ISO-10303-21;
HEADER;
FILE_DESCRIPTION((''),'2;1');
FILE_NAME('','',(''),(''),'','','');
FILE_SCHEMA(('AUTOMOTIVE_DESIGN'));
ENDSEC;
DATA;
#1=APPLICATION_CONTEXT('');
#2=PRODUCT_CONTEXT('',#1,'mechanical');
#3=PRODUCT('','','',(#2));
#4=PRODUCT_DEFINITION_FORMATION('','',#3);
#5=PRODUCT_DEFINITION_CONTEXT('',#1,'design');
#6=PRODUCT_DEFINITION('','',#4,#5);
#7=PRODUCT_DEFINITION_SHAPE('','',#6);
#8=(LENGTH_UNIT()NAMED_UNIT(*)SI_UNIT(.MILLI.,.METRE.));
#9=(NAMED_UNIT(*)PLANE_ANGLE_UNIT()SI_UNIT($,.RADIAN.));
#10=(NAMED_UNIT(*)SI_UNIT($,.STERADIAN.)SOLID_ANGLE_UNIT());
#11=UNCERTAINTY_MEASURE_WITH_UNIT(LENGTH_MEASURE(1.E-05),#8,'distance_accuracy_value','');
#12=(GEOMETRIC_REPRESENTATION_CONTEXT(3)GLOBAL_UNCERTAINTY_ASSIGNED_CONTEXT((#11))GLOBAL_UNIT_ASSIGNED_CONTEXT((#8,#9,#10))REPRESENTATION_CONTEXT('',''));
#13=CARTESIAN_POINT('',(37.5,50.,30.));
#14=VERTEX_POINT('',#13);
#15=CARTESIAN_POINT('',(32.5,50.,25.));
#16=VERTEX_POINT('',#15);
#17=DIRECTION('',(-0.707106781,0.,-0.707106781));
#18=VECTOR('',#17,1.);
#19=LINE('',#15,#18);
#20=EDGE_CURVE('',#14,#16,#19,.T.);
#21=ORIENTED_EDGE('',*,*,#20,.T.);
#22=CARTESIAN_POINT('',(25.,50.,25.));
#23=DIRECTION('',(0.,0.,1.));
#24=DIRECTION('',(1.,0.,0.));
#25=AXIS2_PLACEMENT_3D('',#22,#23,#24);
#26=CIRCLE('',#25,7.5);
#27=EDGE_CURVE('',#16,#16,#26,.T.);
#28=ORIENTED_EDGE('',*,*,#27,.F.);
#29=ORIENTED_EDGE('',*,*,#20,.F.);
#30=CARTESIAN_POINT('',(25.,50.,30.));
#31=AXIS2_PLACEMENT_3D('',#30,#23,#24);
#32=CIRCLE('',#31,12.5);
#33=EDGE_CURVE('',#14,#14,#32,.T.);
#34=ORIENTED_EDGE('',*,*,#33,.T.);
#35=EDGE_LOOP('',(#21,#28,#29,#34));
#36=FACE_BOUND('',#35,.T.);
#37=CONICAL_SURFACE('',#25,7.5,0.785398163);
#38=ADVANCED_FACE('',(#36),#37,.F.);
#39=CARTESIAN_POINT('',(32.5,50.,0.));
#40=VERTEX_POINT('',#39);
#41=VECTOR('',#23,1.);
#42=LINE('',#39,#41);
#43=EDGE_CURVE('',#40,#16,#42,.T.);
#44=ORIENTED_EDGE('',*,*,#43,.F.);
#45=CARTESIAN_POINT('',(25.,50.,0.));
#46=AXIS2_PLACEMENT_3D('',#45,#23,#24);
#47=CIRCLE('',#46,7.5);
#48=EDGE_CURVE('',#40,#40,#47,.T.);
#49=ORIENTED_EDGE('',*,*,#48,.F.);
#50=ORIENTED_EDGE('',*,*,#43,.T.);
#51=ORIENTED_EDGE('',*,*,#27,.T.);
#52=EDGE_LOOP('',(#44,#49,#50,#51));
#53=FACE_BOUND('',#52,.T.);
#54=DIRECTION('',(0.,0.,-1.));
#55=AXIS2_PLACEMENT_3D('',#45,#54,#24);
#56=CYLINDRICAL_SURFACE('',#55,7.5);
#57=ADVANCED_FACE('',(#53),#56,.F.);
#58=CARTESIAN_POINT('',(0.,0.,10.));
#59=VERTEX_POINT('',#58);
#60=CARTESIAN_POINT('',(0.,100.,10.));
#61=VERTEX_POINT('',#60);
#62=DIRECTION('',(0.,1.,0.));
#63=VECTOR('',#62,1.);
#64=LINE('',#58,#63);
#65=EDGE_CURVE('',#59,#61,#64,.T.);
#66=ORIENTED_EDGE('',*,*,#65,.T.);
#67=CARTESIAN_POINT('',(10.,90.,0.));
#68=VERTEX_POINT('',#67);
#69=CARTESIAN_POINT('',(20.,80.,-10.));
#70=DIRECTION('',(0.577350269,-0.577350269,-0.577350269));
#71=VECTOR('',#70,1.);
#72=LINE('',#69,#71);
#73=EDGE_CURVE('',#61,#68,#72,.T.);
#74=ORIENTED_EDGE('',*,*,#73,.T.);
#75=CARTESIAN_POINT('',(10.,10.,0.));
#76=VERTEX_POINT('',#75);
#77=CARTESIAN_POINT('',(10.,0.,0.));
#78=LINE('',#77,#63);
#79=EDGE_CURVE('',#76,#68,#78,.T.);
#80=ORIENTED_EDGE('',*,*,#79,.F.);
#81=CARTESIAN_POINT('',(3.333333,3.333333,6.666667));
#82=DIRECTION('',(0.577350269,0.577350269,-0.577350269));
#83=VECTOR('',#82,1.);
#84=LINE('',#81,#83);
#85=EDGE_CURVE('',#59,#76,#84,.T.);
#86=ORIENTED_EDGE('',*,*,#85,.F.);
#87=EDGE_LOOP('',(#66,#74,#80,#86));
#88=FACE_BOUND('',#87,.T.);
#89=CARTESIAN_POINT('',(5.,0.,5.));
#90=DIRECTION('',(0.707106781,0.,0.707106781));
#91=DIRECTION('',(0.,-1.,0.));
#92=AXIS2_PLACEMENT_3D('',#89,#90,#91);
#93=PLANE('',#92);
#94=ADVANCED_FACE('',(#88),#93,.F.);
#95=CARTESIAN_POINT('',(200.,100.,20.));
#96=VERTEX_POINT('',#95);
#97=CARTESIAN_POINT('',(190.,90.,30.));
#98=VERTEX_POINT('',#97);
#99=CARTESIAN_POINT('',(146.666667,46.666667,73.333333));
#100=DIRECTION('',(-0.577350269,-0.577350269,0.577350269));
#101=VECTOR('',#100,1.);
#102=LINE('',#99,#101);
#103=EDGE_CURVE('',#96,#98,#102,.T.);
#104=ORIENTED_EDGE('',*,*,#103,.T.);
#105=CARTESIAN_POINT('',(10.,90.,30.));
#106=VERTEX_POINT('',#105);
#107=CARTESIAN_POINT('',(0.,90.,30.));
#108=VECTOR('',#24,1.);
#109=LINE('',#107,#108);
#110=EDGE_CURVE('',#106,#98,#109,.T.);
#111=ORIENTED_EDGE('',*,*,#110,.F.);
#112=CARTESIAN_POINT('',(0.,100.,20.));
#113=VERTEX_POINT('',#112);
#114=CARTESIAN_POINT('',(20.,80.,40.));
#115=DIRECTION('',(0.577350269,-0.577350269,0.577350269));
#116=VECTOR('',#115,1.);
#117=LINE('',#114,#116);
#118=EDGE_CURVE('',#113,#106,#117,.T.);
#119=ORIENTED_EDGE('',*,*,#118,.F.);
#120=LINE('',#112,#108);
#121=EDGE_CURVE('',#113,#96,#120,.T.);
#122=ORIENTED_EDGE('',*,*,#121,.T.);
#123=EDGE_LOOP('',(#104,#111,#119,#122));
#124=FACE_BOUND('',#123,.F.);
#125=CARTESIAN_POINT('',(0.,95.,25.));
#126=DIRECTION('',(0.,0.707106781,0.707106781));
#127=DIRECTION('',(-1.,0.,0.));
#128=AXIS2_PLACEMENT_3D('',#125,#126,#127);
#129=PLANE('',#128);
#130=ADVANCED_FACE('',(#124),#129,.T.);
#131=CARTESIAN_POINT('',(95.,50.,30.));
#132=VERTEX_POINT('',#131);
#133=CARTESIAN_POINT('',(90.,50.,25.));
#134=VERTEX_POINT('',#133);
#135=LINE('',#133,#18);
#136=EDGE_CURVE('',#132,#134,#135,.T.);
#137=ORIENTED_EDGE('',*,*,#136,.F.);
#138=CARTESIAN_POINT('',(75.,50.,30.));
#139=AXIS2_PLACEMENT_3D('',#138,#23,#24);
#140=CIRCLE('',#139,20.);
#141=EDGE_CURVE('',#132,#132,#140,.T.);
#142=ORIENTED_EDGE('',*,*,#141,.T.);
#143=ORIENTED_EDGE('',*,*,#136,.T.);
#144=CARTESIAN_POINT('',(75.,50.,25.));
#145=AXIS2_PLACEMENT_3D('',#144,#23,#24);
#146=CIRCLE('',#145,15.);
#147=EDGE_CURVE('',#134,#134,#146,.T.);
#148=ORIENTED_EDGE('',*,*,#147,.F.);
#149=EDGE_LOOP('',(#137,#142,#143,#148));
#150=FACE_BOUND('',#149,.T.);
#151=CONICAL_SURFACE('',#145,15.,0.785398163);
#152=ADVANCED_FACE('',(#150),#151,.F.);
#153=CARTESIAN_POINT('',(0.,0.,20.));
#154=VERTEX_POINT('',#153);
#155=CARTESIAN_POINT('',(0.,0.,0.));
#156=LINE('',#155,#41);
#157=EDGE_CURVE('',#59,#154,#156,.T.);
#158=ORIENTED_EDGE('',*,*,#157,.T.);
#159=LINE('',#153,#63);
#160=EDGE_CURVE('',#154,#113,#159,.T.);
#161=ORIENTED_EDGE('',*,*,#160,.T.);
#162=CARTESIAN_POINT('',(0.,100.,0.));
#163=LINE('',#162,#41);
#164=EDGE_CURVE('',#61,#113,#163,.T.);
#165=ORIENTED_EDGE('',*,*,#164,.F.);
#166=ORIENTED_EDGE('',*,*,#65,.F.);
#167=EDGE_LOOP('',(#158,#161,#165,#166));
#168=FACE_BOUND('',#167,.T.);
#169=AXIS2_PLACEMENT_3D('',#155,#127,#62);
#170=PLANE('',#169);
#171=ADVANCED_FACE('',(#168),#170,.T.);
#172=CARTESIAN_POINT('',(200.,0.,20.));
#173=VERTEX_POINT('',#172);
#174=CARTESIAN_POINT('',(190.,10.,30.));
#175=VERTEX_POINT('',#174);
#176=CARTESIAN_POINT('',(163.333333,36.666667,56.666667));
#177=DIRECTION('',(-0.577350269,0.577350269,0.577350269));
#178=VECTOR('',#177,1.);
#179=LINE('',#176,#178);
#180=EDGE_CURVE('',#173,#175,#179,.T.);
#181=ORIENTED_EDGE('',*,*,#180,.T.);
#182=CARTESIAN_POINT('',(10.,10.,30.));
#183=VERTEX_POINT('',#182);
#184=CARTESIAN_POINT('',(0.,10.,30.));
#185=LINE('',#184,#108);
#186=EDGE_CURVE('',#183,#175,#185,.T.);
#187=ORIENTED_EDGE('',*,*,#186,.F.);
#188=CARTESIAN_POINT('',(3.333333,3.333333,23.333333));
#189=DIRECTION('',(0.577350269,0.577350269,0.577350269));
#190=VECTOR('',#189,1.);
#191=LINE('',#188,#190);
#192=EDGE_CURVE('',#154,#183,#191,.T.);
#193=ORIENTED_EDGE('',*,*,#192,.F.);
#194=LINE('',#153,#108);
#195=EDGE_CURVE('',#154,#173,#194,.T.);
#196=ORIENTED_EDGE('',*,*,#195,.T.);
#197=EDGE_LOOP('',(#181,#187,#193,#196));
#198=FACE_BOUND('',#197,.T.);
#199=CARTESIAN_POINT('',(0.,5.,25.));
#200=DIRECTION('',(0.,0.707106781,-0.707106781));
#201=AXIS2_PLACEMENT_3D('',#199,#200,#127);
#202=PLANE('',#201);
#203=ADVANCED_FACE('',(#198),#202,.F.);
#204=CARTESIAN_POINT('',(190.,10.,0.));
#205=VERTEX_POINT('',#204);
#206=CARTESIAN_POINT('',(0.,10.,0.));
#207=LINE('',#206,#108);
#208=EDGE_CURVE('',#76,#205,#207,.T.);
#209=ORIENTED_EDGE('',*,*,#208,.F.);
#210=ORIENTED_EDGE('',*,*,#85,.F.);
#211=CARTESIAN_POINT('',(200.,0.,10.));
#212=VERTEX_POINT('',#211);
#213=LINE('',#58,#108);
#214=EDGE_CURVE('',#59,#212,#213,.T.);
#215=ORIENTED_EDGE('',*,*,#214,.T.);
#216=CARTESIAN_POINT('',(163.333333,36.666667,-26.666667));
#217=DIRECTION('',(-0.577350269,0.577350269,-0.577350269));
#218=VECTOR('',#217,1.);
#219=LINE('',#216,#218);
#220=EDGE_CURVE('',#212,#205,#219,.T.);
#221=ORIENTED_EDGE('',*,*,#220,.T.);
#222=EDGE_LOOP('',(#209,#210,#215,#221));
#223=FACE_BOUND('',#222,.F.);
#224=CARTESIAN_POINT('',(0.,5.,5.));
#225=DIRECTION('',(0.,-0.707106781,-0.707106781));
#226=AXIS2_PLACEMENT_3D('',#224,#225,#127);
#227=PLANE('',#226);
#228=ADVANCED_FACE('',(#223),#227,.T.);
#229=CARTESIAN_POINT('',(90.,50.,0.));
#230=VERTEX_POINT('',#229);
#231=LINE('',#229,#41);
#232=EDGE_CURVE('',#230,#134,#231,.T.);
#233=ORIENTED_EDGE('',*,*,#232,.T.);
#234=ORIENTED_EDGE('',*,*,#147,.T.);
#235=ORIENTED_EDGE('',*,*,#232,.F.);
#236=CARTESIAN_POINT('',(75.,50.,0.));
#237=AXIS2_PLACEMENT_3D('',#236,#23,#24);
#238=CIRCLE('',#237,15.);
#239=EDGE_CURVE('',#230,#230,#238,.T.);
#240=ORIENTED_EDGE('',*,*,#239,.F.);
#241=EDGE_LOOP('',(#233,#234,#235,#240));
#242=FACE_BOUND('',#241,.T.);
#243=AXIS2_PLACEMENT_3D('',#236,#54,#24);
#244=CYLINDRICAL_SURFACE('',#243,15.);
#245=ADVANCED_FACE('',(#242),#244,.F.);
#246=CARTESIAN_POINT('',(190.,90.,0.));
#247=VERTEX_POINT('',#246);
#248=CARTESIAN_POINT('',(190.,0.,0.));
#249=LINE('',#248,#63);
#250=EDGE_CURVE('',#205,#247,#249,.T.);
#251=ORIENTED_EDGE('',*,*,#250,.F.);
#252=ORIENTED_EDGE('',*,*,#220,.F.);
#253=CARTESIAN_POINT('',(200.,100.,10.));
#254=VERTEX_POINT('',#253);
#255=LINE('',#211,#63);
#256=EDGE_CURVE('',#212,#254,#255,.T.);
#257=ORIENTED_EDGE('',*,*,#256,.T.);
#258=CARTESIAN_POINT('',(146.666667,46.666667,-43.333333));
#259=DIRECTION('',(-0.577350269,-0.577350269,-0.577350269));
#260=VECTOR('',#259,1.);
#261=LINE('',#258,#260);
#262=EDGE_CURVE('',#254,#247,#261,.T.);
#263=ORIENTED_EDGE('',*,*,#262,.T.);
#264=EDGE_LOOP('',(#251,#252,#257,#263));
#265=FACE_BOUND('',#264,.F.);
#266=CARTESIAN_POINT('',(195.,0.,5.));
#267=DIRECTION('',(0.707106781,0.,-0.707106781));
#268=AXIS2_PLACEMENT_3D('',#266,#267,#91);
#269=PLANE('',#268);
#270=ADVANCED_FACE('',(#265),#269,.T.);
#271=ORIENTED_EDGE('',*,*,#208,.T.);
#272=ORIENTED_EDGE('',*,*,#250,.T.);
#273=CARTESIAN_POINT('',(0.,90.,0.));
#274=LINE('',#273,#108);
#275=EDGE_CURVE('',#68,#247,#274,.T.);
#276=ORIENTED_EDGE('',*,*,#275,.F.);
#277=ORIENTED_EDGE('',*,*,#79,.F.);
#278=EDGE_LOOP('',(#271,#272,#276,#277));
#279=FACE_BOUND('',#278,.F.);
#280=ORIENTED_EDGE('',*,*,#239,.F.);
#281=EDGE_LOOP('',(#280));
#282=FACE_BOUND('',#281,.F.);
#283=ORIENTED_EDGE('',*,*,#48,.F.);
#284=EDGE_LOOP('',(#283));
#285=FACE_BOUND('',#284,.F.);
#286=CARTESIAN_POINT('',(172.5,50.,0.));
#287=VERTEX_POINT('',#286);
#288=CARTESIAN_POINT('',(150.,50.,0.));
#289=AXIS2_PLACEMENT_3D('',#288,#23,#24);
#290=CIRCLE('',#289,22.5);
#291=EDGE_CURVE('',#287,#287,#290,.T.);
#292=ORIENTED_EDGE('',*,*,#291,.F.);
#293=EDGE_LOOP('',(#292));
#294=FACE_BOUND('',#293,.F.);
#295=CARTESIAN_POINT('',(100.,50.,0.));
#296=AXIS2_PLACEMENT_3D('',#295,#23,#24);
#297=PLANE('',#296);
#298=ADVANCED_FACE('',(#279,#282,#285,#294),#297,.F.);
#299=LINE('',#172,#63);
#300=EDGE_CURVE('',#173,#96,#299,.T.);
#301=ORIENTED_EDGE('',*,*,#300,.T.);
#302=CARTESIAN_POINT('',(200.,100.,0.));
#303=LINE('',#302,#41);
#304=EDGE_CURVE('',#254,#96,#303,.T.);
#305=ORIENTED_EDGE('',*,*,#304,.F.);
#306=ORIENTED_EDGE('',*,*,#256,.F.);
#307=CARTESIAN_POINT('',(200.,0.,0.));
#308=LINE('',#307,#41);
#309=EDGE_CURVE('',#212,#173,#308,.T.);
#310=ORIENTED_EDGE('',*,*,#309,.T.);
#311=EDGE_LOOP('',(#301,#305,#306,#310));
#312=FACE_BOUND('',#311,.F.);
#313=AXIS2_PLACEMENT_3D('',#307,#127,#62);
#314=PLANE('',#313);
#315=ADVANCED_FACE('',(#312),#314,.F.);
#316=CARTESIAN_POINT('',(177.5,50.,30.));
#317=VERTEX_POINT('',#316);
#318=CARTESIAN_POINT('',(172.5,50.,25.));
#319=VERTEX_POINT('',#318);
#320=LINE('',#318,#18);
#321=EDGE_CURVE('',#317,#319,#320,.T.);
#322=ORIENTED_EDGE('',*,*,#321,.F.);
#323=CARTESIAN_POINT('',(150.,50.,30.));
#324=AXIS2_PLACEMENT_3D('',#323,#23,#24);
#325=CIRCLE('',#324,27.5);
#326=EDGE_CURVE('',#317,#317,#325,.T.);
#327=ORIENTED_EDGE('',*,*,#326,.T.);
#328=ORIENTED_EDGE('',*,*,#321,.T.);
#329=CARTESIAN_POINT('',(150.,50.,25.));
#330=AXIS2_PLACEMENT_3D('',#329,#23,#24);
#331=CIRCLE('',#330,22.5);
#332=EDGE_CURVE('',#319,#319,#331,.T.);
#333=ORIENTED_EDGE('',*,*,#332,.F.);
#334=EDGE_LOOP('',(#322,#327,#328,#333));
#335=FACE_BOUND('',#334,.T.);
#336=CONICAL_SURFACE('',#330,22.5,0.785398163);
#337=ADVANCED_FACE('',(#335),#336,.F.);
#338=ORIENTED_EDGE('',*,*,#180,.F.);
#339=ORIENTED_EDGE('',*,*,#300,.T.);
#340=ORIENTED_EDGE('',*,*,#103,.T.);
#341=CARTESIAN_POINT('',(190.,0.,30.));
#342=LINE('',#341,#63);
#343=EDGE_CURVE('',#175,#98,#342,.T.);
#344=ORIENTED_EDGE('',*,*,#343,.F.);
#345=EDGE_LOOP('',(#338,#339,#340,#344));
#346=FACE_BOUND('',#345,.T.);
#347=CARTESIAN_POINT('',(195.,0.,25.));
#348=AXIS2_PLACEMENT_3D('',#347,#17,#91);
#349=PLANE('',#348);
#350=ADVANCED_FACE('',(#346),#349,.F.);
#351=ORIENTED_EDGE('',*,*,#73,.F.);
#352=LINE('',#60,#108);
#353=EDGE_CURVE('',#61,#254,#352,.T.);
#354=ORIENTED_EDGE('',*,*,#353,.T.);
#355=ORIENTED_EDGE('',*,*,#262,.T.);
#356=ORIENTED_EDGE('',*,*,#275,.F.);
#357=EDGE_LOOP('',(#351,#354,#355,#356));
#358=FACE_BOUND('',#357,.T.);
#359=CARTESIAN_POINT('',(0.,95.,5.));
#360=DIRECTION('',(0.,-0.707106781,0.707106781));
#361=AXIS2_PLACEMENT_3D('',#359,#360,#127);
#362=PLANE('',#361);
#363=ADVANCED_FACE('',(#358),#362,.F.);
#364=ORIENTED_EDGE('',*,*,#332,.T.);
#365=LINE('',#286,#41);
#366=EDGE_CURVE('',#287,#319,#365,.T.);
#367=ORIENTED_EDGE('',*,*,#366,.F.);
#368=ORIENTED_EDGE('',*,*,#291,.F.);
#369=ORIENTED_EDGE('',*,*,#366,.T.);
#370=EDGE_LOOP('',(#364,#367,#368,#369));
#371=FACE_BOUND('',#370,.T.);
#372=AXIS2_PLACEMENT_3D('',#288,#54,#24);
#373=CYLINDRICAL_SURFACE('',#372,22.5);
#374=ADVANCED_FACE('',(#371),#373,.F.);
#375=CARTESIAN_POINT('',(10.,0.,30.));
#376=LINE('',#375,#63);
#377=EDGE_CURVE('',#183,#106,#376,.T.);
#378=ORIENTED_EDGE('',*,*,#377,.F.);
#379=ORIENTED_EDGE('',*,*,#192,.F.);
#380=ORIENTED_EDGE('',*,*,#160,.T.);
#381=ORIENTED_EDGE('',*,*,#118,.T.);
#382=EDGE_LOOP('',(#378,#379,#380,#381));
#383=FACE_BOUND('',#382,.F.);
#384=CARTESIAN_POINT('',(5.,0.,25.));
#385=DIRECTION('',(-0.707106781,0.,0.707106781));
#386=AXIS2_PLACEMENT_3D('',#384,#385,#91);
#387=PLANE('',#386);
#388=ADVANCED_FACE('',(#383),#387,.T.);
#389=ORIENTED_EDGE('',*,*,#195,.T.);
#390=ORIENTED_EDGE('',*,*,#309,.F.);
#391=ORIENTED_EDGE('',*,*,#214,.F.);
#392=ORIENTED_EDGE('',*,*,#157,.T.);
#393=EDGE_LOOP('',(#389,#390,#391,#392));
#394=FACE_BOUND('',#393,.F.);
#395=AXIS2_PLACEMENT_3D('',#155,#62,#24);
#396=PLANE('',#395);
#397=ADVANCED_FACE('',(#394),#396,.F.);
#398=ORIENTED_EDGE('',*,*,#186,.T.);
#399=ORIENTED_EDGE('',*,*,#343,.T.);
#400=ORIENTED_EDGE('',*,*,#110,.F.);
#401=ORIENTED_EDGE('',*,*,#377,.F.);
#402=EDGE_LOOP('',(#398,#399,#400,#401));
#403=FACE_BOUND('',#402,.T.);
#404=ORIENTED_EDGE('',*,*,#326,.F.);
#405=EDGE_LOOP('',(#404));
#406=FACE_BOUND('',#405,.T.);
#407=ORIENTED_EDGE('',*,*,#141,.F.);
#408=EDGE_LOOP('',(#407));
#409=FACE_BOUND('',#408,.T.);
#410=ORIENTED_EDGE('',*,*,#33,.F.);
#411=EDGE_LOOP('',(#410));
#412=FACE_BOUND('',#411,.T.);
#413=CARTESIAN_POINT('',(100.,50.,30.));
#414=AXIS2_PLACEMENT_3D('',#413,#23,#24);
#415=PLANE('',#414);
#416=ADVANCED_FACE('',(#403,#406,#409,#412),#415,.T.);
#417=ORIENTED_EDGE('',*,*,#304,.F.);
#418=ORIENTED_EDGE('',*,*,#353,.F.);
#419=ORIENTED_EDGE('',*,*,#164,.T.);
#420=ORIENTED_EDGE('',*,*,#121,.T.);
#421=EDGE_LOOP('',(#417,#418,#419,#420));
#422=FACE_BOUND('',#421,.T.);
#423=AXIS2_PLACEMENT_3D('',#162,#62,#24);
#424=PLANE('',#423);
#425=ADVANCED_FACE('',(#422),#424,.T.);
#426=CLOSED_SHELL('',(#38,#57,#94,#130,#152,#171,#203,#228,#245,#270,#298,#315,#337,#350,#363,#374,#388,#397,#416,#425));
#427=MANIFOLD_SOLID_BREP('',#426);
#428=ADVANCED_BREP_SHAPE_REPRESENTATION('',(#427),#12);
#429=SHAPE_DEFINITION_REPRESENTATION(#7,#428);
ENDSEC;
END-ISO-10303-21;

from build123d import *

# Parameters (mm, degrees)
F0_W     = 200
F0_H     = 100
F0_R     = 7.5
F0_R_2   = 15
F0_R_3   = 22.5
F1_DEPTH = 30
F2_SIZE2 = 10
F2_SIZE  = 10
F3_SIZE2 = 5
F3_SIZE  = 5


with BuildPart() as f1:
    # F0 (on Top) → F1 (new body)
    with BuildSketch(Plane.XY):
        with Locations((100, 50)):
            Rectangle(F0_W, F0_H)
        with Locations((25, 50)):
            Circle(F0_R, mode=Mode.SUBTRACT)
        with Locations((75, 50)):
            Circle(F0_R_2, mode=Mode.SUBTRACT)
        with Locations((150, 50)):
            Circle(F0_R_3, mode=Mode.SUBTRACT)
    extrude(amount=F1_DEPTH)

    # F2
    f2_edges = [f1.edges().sort_by_distance(p)[0] for p in [
        (0, 50, 30),
        (100, 100, 30),
        (100, 0, 30),
        (200, 50, 30),
        (200, 50, 0),
        (100, 100, 0),
        (0, 50, 0),
        (100, 0, 0),
    ]]
    chamfer(f2_edges, length=F2_SIZE, length2=F2_SIZE2)

    # F3
    f3_edges = [f1.edges().sort_by_distance(p)[0] for p in [
        (127.5, 50, 30),
        (60, 50, 30),
        (17.5, 50, 30),
    ]]
    chamfer(f3_edges, length=F3_SIZE, length2=F3_SIZE2)


solid = f1.part
